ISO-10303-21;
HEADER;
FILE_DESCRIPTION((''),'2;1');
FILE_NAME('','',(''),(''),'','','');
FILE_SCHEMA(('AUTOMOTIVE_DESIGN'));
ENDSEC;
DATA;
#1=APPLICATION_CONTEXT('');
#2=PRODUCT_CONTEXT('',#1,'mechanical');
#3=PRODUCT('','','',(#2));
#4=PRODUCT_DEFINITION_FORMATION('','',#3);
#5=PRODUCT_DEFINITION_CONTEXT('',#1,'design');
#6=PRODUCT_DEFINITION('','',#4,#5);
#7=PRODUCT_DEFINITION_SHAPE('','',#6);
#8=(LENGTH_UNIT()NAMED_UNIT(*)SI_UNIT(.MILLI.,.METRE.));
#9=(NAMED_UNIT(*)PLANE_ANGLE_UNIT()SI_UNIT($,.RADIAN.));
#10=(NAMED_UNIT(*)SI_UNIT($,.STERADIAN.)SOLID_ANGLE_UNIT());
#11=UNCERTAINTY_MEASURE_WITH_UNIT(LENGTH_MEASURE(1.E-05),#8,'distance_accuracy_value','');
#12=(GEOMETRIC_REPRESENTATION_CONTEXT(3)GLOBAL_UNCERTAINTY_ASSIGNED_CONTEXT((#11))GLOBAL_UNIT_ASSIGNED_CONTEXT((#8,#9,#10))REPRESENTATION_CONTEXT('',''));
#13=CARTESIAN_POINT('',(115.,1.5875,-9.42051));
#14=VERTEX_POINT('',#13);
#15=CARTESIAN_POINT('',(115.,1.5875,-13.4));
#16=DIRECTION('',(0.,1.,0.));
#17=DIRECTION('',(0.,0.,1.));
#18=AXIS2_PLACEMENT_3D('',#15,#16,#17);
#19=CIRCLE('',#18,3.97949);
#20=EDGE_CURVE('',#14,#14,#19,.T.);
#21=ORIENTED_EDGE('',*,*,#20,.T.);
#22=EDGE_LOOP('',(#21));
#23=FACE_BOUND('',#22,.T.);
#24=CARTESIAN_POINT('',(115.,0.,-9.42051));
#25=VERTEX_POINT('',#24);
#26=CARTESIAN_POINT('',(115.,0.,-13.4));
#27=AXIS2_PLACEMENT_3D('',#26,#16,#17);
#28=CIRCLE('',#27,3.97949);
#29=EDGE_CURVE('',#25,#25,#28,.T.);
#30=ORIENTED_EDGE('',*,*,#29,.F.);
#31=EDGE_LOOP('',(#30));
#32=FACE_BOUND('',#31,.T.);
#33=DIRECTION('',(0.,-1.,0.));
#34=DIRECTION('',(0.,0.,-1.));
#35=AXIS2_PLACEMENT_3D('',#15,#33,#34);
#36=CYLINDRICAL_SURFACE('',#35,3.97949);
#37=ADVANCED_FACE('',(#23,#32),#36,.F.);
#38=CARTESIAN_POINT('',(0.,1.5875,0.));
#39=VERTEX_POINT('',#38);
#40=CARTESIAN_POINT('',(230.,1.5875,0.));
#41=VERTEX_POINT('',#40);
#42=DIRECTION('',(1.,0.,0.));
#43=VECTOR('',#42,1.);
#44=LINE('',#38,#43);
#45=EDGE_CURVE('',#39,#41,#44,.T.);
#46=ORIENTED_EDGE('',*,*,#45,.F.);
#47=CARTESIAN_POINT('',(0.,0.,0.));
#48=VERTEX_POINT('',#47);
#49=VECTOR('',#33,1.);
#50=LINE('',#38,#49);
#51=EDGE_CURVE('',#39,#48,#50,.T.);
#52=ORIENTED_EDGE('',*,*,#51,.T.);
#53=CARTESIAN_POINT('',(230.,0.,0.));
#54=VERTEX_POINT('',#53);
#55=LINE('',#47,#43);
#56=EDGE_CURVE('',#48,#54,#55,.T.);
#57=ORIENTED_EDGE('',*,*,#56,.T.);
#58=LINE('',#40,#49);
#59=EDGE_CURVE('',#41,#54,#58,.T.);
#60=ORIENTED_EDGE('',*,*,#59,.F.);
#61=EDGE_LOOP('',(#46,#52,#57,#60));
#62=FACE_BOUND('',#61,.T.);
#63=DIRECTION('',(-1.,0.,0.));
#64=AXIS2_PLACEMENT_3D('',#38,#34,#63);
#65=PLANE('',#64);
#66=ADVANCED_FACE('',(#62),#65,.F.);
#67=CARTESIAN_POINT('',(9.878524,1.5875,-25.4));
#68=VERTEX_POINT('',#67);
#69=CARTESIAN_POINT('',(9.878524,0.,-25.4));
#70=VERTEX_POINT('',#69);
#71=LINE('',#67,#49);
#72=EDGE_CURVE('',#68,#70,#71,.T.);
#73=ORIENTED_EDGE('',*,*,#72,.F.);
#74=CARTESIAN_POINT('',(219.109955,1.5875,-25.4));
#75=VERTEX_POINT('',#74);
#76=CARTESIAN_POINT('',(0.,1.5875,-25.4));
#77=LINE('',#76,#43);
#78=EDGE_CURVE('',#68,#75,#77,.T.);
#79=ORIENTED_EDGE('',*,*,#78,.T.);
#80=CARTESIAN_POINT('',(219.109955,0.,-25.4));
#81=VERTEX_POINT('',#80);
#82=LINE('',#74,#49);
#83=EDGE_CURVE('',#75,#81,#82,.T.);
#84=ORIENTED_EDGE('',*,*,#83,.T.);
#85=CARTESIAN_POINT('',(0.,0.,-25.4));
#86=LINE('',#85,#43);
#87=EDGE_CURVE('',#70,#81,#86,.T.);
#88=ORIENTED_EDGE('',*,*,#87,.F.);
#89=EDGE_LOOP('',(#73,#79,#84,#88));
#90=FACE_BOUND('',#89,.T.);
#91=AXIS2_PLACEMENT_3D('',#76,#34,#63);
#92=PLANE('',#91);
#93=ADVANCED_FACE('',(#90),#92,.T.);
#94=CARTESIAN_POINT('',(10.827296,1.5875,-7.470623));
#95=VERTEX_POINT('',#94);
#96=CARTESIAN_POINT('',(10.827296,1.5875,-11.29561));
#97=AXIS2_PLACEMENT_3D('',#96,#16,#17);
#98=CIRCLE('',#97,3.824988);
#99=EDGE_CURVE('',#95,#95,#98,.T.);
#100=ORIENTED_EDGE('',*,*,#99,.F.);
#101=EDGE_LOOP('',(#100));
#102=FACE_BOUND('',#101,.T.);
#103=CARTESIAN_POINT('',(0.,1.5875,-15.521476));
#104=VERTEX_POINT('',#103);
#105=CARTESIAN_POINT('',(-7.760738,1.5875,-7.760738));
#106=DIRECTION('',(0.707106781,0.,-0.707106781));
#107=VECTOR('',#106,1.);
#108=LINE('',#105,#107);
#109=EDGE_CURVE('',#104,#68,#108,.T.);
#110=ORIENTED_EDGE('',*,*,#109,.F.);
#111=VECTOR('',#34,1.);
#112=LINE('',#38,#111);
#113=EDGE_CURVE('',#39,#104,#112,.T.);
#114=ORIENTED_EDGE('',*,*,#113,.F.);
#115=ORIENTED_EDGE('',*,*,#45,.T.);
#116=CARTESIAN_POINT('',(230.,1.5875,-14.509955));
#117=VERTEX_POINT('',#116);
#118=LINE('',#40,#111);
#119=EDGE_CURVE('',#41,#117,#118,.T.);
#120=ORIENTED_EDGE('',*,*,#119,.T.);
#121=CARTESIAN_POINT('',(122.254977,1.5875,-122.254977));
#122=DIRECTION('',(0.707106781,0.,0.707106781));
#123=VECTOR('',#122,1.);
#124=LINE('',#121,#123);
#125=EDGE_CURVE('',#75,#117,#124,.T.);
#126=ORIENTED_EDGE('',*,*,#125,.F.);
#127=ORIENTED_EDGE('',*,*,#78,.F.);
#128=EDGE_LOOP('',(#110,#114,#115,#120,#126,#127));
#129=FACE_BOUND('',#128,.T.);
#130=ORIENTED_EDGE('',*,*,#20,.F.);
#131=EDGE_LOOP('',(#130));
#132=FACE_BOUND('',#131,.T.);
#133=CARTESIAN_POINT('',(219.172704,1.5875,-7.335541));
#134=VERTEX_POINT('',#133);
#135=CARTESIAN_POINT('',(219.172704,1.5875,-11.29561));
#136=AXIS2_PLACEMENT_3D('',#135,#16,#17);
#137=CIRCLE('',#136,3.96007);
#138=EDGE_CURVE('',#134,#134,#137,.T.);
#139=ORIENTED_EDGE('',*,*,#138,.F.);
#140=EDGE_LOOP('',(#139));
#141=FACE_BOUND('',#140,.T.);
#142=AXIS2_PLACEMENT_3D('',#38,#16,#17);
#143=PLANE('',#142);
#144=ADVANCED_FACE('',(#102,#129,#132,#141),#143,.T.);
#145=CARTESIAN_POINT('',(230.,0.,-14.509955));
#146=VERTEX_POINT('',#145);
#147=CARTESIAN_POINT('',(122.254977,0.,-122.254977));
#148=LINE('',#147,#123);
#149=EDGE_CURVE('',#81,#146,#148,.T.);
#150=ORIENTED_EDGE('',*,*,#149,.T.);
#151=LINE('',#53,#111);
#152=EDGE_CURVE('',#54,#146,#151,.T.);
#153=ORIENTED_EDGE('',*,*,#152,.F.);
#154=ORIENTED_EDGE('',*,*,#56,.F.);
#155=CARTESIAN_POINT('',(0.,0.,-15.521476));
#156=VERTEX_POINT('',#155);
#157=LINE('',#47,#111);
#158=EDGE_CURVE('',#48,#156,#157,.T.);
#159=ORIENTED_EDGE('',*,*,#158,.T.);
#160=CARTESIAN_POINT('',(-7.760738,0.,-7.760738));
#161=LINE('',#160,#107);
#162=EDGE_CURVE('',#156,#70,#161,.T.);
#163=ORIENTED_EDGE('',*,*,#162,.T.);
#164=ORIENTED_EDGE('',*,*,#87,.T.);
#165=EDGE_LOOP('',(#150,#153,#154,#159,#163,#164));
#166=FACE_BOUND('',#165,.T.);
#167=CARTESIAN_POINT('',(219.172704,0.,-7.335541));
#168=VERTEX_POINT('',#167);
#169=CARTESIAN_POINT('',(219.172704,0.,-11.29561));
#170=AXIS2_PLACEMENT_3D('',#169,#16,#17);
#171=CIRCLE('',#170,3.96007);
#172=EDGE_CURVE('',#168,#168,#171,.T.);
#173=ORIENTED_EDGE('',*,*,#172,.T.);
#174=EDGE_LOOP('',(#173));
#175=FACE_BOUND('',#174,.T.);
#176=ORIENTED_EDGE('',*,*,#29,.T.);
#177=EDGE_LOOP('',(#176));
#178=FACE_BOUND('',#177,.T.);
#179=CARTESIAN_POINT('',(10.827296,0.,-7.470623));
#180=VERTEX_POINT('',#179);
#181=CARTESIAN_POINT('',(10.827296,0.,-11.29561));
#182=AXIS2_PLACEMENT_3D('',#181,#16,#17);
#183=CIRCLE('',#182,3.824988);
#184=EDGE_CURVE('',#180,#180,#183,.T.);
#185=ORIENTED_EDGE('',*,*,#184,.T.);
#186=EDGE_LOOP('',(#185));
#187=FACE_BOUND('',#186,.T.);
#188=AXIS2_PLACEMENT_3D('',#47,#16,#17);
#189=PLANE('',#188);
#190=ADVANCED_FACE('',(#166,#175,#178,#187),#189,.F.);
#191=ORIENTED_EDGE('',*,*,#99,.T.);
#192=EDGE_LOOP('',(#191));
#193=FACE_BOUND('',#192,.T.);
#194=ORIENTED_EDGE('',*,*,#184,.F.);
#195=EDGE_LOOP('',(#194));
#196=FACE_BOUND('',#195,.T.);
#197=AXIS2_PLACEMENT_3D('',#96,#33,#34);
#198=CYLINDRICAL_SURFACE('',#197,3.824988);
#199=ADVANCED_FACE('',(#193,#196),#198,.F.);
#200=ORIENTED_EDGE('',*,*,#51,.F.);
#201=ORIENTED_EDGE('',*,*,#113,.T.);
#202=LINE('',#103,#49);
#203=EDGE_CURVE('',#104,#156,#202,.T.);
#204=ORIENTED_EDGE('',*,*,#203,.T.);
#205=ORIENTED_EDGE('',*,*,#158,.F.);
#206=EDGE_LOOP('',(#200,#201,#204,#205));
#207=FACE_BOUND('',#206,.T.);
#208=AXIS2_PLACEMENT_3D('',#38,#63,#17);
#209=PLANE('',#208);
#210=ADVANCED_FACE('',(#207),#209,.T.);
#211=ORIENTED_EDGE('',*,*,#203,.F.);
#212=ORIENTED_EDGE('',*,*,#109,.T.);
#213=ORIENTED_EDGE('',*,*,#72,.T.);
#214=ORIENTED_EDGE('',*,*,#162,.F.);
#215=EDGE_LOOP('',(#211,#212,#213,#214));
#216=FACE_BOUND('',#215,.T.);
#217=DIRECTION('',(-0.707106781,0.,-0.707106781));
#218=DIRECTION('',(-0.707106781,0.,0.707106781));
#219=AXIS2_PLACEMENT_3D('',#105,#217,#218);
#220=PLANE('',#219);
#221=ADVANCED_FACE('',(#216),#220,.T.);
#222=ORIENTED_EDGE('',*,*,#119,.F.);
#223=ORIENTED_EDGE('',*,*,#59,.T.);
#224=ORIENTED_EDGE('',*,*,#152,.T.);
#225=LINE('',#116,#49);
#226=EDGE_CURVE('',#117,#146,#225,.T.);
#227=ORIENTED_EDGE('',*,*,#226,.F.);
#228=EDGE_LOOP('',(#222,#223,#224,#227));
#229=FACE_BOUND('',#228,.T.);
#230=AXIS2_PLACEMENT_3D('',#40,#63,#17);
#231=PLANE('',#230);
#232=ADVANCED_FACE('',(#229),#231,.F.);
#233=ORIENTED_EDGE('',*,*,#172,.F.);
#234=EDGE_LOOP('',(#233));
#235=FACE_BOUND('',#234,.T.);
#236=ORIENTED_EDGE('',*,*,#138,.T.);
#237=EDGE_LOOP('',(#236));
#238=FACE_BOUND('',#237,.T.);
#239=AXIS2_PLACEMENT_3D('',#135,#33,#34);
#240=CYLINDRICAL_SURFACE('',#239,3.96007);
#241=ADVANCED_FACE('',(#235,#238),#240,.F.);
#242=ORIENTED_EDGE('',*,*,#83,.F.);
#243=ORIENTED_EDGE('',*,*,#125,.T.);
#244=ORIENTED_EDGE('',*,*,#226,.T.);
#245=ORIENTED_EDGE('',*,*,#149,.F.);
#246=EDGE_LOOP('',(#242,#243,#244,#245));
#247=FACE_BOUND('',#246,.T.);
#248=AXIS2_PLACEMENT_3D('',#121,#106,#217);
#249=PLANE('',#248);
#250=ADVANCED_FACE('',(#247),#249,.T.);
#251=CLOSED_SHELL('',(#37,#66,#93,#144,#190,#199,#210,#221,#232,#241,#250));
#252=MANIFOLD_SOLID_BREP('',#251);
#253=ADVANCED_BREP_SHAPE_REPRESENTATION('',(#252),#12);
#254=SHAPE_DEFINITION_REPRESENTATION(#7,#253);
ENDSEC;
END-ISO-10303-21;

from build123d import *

# Parameters (mm, degrees)
SKETCH1_R           = 3.824987574
SKETCH1_R_2         = 3.960069723
SKETCH1_R_3         = 3.979490197
BOSS_EXTRUDE1_DEPTH = 1.5875


with BuildPart() as part:
    # Sketch1 → Boss-Extrude1 (new body)
    with BuildSketch(Plane(origin=(0, 0, 0), x_dir=(1, 0, 0), z_dir=(0, 1, 0))):
        Polygon((9.878524394, 25.4), (0, 15.521475606), (0, 0), (230, 0), (230, 14.509954572), (219.109954572, 25.4), align=None)
        with Locations(Location((10.82729629, 11.29561028, 0), (0, 0, 270))):
            Circle(SKETCH1_R, mode=Mode.SUBTRACT)
        with Locations(Location((219.17270371, 11.29561028, 0), (0, 0, 270))):
            Circle(SKETCH1_R_2, mode=Mode.SUBTRACT)
        with Locations(Location((115, 13.4, 0), (0, 0, 270))):
            Circle(SKETCH1_R_3, mode=Mode.SUBTRACT)
    extrude(amount=BOSS_EXTRUDE1_DEPTH)


solid = part.part
